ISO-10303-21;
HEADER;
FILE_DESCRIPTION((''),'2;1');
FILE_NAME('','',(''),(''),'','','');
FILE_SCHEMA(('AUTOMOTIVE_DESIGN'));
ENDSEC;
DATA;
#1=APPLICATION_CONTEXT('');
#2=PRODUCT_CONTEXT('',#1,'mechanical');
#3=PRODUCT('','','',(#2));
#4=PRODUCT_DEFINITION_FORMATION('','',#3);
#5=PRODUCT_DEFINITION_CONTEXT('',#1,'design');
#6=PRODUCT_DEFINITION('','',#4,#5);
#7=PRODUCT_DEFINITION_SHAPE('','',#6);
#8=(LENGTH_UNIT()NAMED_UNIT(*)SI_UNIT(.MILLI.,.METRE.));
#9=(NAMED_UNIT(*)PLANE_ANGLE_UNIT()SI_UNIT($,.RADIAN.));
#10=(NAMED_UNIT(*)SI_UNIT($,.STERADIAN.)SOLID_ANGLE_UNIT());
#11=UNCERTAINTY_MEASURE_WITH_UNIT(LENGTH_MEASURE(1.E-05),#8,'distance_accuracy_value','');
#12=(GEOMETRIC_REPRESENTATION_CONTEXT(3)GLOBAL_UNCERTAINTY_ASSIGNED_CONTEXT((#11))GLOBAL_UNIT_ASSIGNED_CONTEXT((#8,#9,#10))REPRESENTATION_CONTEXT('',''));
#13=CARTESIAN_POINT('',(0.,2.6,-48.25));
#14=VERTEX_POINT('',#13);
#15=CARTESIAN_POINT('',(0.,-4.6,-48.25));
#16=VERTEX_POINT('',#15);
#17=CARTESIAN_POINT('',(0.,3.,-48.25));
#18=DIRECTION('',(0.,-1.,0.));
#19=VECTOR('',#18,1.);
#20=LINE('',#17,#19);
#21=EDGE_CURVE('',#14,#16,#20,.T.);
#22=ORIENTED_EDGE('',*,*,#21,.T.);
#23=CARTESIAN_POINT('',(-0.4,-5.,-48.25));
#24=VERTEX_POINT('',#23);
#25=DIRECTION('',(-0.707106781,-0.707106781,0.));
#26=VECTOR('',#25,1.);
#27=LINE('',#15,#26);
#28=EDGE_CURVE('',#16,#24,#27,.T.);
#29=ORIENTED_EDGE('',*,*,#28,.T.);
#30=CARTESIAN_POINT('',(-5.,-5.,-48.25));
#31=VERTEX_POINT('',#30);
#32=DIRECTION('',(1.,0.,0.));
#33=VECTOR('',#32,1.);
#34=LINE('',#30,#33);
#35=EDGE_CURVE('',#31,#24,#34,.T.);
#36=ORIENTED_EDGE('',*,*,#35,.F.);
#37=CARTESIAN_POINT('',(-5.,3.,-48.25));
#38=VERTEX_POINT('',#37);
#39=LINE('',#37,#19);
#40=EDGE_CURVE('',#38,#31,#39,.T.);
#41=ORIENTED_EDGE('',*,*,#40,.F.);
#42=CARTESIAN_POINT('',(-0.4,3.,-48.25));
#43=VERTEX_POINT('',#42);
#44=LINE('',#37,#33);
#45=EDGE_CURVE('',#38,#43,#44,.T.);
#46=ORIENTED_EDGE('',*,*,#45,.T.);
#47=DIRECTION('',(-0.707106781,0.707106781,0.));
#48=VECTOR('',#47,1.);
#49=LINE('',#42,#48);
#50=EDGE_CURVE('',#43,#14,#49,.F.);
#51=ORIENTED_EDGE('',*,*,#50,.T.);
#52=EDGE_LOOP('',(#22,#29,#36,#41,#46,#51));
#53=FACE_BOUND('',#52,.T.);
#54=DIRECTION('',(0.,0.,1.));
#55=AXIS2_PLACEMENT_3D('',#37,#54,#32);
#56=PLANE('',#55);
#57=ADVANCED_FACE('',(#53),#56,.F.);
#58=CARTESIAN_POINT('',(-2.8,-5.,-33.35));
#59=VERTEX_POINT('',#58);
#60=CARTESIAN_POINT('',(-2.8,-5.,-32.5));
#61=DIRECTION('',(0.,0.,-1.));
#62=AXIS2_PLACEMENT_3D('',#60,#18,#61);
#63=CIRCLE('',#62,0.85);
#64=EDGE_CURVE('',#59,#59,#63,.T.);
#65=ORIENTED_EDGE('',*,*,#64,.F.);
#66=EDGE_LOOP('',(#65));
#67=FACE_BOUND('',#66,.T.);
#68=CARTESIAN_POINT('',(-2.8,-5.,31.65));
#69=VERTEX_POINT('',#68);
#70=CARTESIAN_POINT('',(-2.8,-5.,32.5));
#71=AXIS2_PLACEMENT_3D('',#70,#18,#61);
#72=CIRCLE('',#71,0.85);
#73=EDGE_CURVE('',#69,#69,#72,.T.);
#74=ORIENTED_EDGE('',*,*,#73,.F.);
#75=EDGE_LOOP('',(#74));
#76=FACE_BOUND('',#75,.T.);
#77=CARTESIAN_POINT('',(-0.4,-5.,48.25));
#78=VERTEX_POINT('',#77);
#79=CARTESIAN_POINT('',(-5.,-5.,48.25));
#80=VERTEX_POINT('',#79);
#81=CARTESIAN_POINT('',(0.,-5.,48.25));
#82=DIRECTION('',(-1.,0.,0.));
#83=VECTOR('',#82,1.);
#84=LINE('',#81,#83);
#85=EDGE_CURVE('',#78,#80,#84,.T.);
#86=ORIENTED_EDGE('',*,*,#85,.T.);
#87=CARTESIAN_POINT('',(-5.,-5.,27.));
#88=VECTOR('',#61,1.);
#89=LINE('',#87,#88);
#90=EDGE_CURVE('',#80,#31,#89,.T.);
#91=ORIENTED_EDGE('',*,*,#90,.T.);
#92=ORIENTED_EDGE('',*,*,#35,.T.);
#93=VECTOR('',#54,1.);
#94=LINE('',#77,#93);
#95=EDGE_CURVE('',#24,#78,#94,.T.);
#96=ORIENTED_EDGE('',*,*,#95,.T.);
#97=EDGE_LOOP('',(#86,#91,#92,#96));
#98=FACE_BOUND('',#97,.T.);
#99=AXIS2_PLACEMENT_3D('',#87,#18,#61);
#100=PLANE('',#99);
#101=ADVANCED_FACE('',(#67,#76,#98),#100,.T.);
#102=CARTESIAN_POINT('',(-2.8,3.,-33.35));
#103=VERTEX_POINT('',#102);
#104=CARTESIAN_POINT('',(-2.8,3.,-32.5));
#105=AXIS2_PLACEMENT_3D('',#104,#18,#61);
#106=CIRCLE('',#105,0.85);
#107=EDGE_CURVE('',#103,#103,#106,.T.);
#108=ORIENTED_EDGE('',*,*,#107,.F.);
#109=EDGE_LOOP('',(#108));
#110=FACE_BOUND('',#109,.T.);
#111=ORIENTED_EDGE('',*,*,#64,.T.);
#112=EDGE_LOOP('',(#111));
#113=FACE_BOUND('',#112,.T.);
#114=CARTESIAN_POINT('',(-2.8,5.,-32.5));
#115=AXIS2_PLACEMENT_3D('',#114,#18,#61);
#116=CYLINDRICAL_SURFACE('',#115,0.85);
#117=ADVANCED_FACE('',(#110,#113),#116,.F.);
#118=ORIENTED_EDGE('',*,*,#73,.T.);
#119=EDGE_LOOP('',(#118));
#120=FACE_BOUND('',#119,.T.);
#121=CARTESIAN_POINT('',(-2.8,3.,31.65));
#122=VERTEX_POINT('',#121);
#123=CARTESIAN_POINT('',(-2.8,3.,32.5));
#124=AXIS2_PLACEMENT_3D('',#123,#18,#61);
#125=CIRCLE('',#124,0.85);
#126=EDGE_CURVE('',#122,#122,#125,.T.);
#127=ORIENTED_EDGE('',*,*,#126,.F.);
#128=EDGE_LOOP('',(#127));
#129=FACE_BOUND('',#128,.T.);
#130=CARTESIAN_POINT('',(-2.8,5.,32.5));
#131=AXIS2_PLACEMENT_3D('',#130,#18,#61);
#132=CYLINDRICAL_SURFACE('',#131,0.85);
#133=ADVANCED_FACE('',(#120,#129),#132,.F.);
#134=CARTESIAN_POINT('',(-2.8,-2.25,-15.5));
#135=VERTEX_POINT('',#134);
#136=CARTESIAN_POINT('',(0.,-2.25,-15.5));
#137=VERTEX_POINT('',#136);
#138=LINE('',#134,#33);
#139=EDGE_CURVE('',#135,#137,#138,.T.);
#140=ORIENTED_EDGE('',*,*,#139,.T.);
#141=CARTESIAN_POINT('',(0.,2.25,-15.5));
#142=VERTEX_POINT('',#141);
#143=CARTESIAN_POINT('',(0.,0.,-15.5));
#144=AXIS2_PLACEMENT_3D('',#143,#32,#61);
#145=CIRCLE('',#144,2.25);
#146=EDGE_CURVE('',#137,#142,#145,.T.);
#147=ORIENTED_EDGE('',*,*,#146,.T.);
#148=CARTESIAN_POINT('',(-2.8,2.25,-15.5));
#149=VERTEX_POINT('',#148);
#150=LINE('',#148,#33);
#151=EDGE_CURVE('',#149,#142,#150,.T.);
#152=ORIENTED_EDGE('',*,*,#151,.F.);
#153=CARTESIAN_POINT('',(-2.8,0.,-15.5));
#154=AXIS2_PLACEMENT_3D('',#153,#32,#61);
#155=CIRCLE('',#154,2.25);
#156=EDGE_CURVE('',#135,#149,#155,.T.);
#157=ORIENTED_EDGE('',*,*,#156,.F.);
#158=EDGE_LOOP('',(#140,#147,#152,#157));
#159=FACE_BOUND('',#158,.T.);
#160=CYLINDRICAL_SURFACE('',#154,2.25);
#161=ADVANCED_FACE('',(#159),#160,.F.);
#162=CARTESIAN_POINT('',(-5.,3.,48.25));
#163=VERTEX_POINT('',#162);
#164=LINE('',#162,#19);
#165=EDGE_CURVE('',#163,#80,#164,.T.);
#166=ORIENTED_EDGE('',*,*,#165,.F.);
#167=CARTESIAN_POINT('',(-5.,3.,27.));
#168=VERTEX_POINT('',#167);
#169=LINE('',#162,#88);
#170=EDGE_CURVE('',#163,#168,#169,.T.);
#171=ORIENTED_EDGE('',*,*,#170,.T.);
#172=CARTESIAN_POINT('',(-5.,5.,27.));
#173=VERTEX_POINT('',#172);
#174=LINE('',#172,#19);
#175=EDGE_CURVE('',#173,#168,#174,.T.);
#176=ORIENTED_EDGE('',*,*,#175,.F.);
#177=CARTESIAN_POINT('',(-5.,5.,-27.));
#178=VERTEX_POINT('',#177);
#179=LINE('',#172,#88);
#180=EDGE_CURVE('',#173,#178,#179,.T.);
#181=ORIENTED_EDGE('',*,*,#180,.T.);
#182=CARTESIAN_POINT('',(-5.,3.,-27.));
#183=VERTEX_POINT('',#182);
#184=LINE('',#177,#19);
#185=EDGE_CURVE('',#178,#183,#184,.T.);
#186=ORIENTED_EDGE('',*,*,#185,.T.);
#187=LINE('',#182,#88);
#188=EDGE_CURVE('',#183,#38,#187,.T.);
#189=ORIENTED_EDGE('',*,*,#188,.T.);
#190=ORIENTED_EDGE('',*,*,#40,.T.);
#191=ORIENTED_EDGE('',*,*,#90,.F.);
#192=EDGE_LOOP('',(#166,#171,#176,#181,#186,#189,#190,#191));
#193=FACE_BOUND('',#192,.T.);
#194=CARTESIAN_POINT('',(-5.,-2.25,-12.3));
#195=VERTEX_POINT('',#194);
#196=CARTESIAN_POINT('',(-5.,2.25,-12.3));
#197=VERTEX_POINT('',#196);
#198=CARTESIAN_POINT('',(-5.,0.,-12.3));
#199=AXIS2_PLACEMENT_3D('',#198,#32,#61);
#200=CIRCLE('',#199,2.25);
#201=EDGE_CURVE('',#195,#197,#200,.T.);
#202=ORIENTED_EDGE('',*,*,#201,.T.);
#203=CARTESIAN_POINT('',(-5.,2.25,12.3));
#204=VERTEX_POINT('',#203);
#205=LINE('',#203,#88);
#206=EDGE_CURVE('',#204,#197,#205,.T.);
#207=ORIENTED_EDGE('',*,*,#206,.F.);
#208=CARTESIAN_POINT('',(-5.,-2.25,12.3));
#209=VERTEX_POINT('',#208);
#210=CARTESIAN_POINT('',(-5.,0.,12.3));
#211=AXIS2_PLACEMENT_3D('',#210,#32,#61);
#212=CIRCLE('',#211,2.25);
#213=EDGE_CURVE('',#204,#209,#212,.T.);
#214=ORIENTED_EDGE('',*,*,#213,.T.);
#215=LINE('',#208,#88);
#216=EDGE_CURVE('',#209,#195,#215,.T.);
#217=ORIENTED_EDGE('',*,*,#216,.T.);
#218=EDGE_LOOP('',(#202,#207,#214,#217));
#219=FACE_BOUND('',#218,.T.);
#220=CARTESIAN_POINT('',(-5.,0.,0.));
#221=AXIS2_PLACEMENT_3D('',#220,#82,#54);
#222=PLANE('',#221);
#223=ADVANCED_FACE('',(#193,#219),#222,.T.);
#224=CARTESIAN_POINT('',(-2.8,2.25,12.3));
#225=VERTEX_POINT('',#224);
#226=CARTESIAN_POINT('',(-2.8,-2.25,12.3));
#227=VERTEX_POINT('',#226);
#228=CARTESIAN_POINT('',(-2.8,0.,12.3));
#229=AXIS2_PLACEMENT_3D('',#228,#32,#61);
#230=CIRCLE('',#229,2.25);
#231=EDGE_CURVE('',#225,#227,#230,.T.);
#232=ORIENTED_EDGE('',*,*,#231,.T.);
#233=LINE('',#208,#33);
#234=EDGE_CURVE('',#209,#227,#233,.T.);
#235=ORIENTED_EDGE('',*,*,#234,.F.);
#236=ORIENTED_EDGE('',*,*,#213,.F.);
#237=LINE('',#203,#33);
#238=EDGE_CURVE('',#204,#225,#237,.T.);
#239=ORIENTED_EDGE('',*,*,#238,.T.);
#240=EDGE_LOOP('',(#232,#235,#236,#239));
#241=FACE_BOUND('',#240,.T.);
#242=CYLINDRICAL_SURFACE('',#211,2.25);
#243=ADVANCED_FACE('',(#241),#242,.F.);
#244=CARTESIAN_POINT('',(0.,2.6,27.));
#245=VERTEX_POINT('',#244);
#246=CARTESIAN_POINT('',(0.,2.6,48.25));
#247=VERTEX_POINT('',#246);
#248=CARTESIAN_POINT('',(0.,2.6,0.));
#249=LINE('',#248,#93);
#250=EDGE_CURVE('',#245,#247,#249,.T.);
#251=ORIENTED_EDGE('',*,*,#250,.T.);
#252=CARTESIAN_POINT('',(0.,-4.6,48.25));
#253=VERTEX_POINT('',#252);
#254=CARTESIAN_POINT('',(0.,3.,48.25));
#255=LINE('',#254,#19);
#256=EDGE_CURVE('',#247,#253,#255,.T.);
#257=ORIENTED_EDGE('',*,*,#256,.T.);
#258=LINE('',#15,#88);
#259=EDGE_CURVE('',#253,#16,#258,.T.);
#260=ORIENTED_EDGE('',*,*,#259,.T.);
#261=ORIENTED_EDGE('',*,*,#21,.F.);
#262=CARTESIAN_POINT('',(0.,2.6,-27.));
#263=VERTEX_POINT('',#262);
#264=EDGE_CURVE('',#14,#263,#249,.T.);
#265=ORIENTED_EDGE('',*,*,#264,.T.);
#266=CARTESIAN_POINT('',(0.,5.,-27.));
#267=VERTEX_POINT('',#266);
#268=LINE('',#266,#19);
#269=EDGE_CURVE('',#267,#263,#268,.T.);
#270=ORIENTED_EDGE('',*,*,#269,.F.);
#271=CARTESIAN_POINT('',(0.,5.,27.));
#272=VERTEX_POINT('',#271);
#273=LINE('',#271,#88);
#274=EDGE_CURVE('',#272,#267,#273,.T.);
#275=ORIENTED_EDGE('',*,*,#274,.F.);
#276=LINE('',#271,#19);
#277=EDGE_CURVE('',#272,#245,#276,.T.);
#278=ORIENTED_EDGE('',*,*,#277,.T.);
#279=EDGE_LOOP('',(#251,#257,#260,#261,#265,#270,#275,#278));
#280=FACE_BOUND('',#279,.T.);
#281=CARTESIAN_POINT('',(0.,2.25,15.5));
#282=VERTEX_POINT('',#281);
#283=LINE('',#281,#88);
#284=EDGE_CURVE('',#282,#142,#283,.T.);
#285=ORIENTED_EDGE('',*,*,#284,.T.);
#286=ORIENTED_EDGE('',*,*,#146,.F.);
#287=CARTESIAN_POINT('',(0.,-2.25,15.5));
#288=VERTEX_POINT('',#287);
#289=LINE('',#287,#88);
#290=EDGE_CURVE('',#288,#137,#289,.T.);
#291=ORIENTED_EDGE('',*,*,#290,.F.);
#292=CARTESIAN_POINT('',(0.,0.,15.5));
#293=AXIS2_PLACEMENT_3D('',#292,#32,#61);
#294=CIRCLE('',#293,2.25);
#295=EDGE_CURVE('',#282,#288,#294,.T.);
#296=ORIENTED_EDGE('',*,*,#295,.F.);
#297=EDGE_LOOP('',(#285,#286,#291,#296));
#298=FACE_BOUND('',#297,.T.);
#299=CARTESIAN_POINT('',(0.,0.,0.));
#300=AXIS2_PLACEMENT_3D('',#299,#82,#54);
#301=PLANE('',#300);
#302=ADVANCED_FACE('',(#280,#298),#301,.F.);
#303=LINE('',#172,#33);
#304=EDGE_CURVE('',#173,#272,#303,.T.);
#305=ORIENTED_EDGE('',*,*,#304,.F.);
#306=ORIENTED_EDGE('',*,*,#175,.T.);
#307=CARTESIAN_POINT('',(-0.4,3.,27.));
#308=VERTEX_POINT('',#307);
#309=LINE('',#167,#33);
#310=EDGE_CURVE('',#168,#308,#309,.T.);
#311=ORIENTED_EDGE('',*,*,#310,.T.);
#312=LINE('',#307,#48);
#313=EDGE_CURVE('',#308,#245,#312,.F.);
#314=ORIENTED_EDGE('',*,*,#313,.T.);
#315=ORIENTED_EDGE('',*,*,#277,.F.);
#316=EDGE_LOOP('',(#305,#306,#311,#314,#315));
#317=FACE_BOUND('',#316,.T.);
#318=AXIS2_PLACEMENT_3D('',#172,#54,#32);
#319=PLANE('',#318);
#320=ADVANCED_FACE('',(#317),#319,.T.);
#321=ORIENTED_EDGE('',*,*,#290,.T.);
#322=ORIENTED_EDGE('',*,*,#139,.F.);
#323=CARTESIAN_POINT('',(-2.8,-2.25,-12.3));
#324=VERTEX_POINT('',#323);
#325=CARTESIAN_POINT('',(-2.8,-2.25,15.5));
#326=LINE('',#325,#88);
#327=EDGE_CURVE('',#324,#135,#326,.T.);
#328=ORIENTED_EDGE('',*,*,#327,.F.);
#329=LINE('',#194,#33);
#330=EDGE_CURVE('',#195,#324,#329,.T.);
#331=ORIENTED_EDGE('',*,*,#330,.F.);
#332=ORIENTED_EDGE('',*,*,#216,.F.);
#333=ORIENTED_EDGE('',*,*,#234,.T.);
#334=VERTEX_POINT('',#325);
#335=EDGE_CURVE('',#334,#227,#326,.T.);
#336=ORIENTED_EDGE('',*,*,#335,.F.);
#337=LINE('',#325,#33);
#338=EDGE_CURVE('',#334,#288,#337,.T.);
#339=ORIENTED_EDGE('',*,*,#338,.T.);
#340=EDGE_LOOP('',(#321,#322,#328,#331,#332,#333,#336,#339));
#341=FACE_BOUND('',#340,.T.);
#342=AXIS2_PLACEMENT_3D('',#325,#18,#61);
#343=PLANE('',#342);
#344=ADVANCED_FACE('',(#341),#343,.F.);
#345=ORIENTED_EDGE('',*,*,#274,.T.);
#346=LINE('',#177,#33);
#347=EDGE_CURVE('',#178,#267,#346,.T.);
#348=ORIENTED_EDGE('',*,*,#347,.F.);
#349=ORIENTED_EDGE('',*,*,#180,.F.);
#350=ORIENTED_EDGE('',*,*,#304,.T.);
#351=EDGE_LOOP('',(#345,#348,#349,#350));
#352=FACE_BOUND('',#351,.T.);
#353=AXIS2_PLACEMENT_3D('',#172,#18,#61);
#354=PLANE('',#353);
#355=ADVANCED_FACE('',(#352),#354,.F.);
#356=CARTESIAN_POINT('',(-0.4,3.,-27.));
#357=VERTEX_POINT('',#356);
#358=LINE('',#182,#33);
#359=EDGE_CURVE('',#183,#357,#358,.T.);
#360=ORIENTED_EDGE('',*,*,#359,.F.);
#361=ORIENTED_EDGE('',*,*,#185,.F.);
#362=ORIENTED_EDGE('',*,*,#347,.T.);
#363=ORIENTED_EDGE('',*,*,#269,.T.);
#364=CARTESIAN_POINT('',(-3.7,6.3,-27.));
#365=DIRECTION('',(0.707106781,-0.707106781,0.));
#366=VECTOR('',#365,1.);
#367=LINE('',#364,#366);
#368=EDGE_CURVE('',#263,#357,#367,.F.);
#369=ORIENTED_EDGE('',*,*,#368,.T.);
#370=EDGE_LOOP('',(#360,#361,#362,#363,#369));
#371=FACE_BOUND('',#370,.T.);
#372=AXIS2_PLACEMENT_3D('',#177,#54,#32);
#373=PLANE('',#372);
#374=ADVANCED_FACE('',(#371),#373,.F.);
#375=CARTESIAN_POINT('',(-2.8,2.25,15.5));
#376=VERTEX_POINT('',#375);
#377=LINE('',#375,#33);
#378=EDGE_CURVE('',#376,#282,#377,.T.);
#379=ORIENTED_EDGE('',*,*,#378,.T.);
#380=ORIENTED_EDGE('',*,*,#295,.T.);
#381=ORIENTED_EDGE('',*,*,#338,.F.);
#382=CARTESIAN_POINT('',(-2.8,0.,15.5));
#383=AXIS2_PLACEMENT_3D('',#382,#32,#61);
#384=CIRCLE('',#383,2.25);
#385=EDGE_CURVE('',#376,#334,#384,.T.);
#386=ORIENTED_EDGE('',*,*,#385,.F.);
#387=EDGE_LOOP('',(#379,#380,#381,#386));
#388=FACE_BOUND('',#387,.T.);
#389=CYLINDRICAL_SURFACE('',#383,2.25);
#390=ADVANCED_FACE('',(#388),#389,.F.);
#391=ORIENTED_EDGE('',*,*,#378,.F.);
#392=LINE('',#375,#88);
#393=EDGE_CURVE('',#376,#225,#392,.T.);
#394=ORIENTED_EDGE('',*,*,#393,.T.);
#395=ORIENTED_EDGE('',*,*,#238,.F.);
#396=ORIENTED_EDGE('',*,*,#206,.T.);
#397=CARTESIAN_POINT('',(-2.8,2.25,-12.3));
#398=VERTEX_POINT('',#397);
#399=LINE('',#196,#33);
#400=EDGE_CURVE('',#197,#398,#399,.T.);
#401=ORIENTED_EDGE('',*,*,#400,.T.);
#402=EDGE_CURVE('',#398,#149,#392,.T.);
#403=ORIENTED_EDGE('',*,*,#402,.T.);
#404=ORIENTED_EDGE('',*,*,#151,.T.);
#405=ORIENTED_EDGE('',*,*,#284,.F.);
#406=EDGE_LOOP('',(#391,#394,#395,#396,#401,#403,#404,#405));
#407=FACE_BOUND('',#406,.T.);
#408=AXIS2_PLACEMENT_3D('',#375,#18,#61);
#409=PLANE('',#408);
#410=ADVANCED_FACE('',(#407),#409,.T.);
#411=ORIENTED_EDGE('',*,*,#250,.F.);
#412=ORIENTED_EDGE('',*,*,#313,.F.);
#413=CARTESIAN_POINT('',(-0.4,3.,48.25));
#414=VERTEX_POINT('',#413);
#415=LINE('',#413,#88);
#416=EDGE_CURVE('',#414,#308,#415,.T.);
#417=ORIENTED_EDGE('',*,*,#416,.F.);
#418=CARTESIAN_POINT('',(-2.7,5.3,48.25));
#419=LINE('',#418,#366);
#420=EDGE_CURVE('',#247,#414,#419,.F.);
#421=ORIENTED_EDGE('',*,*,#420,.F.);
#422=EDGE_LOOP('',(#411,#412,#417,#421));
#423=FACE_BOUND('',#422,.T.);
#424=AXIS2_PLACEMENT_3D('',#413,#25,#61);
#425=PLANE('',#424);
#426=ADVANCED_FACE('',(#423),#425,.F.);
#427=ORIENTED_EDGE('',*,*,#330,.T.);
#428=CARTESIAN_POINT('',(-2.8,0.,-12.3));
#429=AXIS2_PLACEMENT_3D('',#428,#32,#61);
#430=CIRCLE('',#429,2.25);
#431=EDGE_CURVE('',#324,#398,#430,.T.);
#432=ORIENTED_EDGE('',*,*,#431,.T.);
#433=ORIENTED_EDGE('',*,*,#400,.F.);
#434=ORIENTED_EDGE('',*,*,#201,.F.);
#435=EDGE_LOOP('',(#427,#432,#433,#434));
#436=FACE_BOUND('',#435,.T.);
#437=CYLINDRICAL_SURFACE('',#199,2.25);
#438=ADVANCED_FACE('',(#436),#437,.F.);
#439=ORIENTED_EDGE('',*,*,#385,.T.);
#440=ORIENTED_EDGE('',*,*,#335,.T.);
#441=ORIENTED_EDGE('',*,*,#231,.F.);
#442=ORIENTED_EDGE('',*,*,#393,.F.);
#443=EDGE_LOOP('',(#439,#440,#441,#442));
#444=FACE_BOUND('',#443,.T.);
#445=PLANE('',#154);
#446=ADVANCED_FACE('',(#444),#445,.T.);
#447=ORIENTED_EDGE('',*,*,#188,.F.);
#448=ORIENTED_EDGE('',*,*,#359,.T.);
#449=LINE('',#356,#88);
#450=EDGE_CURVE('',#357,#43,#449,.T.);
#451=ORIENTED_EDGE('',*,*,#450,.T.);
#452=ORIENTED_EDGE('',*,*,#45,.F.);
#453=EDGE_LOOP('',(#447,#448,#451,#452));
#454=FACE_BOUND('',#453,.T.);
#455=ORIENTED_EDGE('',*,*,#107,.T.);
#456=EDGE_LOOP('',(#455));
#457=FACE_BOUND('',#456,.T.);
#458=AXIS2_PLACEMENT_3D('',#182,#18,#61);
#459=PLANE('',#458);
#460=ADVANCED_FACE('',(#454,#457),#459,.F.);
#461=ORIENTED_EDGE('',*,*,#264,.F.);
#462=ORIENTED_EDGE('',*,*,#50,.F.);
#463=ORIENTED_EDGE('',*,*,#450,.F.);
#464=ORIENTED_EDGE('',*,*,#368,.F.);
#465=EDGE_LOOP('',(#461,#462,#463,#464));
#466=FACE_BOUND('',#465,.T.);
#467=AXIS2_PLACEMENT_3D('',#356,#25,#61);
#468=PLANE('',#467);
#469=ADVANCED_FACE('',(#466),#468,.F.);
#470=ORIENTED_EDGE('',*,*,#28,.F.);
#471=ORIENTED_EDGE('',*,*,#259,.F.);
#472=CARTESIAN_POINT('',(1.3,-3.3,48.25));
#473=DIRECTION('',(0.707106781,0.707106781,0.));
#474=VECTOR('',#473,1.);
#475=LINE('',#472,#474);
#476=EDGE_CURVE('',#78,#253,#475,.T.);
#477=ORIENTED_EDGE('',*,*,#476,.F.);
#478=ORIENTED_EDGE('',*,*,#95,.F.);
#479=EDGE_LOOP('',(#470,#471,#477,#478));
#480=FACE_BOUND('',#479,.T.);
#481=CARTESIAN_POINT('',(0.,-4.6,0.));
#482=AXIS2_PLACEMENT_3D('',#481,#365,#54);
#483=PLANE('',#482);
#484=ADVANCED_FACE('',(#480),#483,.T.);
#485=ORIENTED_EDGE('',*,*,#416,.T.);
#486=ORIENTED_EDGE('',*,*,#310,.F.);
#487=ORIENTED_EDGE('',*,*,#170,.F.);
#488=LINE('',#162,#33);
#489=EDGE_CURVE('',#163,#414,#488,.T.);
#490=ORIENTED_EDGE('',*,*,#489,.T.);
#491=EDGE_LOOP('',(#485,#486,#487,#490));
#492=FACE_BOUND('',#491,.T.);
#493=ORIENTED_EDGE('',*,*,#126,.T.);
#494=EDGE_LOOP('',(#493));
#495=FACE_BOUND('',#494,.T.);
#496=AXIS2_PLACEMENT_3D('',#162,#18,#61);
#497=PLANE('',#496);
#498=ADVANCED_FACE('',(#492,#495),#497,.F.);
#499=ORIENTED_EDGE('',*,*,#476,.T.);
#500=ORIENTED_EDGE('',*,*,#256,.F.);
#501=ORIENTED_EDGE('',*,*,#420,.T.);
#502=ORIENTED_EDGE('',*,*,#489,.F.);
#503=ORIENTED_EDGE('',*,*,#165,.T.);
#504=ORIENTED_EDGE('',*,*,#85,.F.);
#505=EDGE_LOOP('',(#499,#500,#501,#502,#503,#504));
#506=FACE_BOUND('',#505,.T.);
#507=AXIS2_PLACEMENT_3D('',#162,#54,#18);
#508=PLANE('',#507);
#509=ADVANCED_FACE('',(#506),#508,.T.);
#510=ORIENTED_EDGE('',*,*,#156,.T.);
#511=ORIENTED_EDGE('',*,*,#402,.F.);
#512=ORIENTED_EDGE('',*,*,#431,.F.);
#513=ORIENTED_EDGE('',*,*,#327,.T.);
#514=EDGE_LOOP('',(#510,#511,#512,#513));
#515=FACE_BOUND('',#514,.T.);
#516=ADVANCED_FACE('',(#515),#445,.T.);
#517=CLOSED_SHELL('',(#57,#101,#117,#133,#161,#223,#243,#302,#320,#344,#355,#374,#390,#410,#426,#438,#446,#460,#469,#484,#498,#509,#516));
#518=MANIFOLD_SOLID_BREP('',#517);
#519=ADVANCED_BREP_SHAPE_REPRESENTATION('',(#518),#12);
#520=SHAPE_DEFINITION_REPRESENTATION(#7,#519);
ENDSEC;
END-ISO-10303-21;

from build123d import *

# Parameters (mm, degrees)
EXTRUDE_1_DEPTH     = 5
CUT_EXTRUDE_1_DEPTH = 2.8
CUT_EXTRUDE_2_DEPTH = 49.765382189
SKETCH_6_W          = 5
SKETCH_6_H          = 21.25
EXTRUDE_2_DEPTH     = 2
SKETCH_5_R          = 0.85
CUT_EXTRUDE_4_DEPTH = 50.528400943
CHAMFER_1_SIZE      = 0.4


with BuildPart() as part:
    # 草图1 → 凸台-拉伸1 (new body)
    with BuildSketch(Plane(origin=(0, 0, 0), x_dir=(0, 0, -1), z_dir=(1, 0, 0))):
        Polygon((-27, 5), (27, 5), (27, 3), (48.25, 3), (48.25, -3), (27, -3), (27, -5), (-27, -5), (-27, -3), (-48.25, -3), (-48.25, 3), (-27, 3), align=None)
    extrude(amount=-EXTRUDE_1_DEPTH)

    # 草图1<3> → 切除-拉伸1 (cut)
    with BuildSketch(Plane(origin=(0, 0, 0), x_dir=(0, 0, -1), z_dir=(1, 0, 0))):
        with BuildLine():
            Line((-15.5, 2.25), (15.5, 2.25))
            ThreePointArc((15.5, 2.25), (17.75, 0), (15.5, -2.25))
            Line((15.5, -2.25), (-15.5, -2.25))
            ThreePointArc((-15.5, -2.25), (-17.75, 0), (-15.5, 2.25))
        make_face()
    extrude(amount=-CUT_EXTRUDE_1_DEPTH, mode=Mode.SUBTRACT)

    # 草图1<4> → 切除-拉伸2 (cut, through all)
    with BuildSketch(Plane(origin=(0, 0, 0), x_dir=(0, 0, -1), z_dir=(1, 0, 0))):
        with BuildLine():
            Line((-12.3, 2.25), (12.3, 2.25))
            ThreePointArc((12.3, 2.25), (14.55, 0), (12.3, -2.25))
            Line((12.3, -2.25), (-12.3, -2.25))
            ThreePointArc((-12.3, -2.25), (-14.55, 0), (-12.3, 2.25))
        make_face()
    extrude(amount=-CUT_EXTRUDE_2_DEPTH, mode=Mode.SUBTRACT)

    # 草图6 → 凸台-拉伸2 (add)
    with BuildSketch(Plane.XZ.offset(3)):
        with Locations((-2.5, -37.625)):
            Rectangle(SKETCH_6_W, SKETCH_6_H)
        with Locations((-2.5, 37.625)):
            Rectangle(SKETCH_6_W, SKETCH_6_H)
    extrude(amount=EXTRUDE_2_DEPTH)

    # 草图5 → 切除-拉伸4 (cut, through all)
    with BuildSketch(Plane.XZ.offset(5)):
        with Locations(Location((-2.8, 32.5, 0), (0, 0, 270))):
            Circle(SKETCH_5_R)
        with Locations(Location((-2.8, -32.5, 0), (0, 0, 270))):
            Circle(SKETCH_5_R)
    extrude(amount=-CUT_EXTRUDE_4_DEPTH, mode=Mode.SUBTRACT)

    # 倒角1
    chamfer_1_edges = [part.edges().sort_by_distance(p)[0] for p in [
        (0, 3, 37.625),
        (0, -5, 0),
        (0, 3, -37.625),
    ]]
    chamfer(chamfer_1_edges, length=CHAMFER_1_SIZE)


solid = part.part
